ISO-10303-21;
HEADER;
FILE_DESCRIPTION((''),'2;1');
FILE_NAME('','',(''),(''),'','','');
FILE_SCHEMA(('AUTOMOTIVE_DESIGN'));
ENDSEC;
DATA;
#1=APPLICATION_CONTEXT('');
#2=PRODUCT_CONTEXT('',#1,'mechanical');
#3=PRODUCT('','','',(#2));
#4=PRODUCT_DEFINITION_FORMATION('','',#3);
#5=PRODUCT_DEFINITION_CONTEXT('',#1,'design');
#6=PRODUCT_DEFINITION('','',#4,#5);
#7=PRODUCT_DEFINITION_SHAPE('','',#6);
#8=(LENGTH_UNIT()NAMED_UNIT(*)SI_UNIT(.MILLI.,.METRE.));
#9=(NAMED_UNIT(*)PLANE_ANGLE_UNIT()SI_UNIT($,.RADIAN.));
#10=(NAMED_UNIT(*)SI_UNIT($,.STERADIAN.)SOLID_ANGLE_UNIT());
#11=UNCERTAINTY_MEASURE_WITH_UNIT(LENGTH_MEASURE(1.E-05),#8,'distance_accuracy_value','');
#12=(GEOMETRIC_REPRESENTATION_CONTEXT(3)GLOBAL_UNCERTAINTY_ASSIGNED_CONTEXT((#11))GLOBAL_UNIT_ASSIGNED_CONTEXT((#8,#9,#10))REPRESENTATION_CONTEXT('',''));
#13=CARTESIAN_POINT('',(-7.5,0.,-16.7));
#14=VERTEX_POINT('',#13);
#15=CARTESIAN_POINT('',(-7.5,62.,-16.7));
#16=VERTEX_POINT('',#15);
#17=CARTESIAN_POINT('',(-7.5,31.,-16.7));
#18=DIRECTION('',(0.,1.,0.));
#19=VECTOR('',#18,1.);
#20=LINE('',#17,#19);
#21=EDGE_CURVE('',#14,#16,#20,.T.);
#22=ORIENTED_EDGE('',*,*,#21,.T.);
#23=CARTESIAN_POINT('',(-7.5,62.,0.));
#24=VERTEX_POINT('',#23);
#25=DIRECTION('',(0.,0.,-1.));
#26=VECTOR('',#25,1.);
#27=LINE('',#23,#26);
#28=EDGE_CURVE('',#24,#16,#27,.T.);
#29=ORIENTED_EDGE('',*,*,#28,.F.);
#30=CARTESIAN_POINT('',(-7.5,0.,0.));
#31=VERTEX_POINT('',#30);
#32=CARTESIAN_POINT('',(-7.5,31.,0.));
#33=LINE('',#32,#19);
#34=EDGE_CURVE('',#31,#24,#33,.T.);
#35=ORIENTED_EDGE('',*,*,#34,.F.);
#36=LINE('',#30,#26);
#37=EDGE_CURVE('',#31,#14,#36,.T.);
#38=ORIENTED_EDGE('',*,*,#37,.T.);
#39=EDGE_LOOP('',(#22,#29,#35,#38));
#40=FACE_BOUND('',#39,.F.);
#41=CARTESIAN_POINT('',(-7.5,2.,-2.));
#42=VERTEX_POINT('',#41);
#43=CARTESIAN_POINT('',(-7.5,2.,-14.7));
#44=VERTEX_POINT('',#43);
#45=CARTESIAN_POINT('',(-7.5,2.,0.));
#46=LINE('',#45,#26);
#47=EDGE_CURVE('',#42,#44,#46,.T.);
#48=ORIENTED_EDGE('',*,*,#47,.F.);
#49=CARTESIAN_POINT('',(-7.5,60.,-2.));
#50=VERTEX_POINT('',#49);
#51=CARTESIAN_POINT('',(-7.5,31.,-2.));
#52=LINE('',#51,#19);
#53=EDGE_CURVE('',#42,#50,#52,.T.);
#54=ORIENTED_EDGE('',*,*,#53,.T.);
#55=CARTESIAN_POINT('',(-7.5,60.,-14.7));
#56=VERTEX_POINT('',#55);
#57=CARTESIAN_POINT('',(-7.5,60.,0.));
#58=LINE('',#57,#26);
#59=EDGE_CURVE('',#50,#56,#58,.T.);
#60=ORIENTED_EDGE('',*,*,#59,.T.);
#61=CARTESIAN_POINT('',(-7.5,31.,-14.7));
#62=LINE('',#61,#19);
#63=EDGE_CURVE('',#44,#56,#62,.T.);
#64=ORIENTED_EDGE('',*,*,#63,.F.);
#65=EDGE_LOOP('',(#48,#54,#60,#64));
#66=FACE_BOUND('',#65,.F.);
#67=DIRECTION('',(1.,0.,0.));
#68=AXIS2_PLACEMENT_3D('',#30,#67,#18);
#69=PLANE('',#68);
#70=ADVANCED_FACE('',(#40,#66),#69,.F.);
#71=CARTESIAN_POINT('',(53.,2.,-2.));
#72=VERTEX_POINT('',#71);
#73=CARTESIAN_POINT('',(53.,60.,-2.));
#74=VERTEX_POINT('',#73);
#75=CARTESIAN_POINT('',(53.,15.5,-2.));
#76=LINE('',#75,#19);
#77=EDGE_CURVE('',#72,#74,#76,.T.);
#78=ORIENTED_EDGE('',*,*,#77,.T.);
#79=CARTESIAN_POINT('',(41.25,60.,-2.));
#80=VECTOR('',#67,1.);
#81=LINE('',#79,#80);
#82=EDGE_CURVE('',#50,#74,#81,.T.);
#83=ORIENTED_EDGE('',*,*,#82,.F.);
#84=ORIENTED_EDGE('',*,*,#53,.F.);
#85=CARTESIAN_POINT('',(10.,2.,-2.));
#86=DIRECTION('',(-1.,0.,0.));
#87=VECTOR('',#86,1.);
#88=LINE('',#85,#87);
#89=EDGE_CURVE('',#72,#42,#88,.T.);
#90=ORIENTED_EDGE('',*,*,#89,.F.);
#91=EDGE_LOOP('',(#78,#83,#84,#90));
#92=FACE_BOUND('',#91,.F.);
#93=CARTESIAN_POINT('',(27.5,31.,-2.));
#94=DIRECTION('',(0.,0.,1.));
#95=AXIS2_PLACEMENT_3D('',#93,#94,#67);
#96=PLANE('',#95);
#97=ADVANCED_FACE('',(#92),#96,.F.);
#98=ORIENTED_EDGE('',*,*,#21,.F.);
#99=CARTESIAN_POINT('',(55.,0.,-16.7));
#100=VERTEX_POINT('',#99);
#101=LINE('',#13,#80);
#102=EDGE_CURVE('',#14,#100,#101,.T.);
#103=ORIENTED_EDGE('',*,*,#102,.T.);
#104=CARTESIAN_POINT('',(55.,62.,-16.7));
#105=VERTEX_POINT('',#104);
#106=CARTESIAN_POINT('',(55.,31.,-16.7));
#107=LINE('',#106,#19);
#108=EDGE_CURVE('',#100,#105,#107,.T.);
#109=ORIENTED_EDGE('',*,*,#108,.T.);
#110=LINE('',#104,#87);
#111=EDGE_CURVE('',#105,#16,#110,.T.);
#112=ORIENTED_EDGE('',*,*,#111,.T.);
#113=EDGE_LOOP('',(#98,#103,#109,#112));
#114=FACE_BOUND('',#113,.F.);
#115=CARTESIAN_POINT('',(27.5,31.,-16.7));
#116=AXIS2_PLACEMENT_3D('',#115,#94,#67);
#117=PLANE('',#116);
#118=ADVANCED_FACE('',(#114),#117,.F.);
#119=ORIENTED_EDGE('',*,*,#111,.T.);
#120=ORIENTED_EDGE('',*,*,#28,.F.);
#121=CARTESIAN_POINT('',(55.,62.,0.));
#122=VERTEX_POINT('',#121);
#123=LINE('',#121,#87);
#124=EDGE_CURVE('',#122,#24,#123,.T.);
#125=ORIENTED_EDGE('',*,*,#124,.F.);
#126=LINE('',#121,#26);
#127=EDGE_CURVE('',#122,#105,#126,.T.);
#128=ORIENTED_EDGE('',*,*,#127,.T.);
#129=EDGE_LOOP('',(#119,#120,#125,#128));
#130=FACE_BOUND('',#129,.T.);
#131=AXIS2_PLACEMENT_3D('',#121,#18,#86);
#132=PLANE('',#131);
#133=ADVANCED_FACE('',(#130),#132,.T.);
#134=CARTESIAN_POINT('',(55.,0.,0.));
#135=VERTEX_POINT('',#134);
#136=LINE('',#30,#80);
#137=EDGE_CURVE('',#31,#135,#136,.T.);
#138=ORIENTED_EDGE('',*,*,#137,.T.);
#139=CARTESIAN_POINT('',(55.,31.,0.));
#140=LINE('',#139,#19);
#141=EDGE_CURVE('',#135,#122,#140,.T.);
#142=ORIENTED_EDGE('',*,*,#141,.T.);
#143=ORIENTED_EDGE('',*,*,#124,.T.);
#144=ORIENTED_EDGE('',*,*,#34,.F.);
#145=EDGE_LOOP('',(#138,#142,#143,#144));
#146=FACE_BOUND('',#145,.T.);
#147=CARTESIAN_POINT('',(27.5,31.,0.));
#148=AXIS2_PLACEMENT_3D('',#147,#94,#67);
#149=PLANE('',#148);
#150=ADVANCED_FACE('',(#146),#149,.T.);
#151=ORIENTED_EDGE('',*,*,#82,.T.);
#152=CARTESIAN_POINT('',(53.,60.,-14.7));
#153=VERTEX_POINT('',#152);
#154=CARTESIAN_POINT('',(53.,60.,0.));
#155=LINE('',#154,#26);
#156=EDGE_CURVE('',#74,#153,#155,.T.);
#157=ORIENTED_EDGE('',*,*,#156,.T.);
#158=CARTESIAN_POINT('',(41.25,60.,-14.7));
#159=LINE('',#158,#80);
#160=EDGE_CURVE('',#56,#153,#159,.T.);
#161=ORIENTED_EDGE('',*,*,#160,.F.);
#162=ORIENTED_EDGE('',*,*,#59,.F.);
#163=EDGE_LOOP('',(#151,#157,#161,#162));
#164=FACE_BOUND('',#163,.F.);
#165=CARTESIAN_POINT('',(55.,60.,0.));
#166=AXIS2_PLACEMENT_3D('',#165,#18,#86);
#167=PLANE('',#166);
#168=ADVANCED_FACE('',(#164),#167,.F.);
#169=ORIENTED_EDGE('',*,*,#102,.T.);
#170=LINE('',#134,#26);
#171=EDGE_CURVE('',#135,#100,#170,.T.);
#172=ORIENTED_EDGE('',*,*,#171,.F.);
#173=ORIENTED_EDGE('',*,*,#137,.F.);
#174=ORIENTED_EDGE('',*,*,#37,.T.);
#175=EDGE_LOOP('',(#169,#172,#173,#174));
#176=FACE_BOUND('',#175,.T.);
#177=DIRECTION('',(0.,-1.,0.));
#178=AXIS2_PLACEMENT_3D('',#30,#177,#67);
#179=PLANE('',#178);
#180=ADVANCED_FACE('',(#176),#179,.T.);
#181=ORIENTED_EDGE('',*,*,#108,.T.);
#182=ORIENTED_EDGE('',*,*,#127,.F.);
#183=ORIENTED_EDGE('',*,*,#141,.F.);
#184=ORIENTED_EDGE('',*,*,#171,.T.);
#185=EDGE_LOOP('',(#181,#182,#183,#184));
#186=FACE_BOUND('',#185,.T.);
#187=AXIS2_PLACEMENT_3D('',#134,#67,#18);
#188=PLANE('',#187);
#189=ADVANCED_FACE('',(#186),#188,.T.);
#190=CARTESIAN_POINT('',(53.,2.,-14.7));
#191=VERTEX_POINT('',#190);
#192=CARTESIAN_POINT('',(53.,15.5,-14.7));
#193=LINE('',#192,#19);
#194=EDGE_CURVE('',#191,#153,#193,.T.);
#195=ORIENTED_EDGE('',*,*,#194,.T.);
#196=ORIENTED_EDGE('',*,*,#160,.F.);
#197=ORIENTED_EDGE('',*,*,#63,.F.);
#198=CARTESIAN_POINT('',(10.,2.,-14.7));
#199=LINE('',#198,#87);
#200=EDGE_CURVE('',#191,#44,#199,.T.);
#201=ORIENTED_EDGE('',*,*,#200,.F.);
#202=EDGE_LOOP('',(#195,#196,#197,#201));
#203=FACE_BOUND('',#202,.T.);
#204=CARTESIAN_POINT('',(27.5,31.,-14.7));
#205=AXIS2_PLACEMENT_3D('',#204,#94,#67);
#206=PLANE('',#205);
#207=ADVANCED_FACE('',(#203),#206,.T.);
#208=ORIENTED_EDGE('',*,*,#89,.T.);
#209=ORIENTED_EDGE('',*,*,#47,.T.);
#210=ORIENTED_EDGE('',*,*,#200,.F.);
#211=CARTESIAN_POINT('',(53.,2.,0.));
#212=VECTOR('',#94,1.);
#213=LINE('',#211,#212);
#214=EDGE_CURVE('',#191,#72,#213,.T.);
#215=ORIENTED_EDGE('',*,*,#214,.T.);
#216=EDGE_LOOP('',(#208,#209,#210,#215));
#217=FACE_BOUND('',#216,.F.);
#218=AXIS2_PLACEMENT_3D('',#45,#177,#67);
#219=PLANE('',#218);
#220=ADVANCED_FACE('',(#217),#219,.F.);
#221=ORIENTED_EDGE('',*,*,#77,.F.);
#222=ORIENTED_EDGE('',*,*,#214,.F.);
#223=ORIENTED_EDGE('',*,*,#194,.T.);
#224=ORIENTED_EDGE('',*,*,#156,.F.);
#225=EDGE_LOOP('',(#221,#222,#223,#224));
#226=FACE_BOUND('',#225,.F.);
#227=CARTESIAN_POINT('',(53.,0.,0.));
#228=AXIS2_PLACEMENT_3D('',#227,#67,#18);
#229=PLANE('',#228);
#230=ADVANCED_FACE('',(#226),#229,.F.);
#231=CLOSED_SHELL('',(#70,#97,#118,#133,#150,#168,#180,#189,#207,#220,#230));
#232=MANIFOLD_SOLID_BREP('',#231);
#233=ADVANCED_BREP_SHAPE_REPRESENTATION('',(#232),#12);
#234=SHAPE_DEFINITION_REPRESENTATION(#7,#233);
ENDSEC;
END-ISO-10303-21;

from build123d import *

# Parameters (mm, degrees)
F0_W     = 55
F0_H     = 62
F0_W_2   = 7.5
F1_DEPTH = 16.7
F2_T     = -2


with BuildPart() as f1:
    # F0 (on Top) → F1 (new body)
    with BuildSketch(Plane.XY):
        with Locations((27.5, 31)):
            Rectangle(F0_W, F0_H)
        with Locations((-3.75, 31)):
            Rectangle(F0_W_2, F0_H)
    extrude(amount=-F1_DEPTH)

    # F2
    f2_openings = [f1.faces().sort_by_distance(p)[0] for p in [
        (-7.5, 31, -8.35),
    ]]
    offset(amount=F2_T, openings=f2_openings)


solid = f1.part
